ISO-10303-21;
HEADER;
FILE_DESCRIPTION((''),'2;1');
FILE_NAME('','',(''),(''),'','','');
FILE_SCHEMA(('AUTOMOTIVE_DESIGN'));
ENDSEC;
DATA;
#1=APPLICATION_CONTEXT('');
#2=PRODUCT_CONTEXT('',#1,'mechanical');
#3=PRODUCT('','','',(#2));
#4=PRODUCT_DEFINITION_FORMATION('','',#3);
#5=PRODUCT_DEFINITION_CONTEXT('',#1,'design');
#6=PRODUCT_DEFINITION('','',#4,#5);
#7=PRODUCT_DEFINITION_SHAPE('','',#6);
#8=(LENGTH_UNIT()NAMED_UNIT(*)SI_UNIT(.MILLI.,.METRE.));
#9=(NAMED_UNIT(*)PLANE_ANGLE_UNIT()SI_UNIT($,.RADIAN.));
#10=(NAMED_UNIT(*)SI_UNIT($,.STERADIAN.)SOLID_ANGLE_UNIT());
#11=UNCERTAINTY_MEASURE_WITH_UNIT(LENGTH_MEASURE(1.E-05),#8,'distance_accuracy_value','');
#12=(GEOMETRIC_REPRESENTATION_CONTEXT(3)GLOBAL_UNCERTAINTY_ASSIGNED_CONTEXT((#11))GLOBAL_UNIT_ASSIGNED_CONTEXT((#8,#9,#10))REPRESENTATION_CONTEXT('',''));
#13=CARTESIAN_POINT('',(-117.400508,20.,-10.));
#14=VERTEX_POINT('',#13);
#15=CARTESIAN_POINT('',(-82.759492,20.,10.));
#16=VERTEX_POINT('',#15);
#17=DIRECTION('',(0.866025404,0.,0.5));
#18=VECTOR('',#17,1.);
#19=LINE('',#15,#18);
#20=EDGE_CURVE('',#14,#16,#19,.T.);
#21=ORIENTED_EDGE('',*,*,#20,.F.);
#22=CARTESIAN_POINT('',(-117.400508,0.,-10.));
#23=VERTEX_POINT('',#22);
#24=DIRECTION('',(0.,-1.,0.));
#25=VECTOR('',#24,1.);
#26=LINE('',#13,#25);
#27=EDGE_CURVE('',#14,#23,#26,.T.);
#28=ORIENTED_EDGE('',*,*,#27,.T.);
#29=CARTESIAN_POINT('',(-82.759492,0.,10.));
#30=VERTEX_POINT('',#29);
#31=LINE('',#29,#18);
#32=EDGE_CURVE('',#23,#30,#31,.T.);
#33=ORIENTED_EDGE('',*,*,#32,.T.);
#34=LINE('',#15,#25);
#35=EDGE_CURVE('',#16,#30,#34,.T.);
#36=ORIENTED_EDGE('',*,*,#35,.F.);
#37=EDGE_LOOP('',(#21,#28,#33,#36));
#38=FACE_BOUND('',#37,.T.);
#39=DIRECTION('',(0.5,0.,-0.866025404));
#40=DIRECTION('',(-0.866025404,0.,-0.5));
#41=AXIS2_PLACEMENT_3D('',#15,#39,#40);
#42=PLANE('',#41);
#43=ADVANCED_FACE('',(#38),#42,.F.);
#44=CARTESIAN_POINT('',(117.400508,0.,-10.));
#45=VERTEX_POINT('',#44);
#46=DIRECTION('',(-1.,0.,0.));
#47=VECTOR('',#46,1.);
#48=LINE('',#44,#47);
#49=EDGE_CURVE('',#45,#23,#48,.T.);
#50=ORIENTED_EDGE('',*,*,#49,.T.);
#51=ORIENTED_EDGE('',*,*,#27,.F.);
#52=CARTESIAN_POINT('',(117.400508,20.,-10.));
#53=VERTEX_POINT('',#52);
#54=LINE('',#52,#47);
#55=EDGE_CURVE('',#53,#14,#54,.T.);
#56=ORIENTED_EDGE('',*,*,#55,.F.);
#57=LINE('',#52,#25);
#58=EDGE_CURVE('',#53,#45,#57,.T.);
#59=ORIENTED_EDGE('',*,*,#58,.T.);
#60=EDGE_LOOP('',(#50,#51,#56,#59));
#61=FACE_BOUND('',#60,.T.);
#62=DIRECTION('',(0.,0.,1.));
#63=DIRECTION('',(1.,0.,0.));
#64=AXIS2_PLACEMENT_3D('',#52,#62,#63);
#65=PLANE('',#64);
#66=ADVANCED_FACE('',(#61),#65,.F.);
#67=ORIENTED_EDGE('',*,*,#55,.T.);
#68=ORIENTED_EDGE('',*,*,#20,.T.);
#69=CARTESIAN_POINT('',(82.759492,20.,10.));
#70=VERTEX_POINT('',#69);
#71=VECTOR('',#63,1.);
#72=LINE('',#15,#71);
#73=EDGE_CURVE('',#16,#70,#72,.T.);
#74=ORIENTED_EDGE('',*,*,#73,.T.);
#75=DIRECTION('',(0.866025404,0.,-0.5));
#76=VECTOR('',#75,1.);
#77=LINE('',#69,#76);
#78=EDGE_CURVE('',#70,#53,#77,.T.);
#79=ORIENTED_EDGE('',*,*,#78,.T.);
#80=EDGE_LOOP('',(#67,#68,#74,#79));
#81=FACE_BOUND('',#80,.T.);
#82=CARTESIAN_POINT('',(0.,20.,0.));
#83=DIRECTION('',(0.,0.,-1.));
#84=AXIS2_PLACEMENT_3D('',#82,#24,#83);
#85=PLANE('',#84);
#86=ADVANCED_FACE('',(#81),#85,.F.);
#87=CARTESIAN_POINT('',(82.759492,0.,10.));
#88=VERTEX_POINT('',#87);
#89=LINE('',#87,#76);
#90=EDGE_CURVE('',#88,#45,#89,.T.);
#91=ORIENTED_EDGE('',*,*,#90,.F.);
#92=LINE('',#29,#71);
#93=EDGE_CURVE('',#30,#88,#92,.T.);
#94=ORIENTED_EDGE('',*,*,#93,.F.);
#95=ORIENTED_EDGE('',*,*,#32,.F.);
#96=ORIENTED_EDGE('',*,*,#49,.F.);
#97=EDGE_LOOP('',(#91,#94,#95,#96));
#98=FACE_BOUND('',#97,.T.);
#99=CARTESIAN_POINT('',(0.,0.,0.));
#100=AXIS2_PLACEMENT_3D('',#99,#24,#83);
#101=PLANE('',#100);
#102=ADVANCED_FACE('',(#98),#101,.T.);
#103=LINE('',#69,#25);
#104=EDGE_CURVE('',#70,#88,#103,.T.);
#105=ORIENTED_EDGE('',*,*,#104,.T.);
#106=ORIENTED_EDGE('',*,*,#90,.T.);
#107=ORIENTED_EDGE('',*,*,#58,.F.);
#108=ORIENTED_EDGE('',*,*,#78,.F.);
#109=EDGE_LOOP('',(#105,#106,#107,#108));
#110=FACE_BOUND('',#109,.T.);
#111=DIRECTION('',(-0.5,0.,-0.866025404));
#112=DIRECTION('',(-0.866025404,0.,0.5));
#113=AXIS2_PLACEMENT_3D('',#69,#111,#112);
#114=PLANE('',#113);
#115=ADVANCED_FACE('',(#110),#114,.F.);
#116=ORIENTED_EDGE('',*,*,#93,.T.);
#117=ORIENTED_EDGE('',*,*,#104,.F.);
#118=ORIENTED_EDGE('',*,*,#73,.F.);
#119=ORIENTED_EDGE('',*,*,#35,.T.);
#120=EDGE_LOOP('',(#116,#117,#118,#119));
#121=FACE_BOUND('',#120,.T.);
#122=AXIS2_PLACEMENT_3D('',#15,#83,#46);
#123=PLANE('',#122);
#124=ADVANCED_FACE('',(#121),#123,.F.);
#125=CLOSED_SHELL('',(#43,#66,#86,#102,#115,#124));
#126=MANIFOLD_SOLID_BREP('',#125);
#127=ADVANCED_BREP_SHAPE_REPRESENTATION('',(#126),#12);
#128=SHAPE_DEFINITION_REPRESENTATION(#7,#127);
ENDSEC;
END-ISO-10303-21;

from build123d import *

# Parameters (mm, degrees)
BOSS_EXTRUDE1_DEPTH = 20


with BuildPart() as part:
    # Sketch1 → Boss-Extrude1 (new body)
    with BuildSketch(Plane(origin=(0, 0, 0), x_dir=(1, 0, 0), z_dir=(0, 1, 0))):
        Polygon((-82.759491924, -10), (82.759491924, -10), (117.400508076, 10), (-117.400508076, 10), align=None)
    extrude(amount=BOSS_EXTRUDE1_DEPTH)


solid = part.part
